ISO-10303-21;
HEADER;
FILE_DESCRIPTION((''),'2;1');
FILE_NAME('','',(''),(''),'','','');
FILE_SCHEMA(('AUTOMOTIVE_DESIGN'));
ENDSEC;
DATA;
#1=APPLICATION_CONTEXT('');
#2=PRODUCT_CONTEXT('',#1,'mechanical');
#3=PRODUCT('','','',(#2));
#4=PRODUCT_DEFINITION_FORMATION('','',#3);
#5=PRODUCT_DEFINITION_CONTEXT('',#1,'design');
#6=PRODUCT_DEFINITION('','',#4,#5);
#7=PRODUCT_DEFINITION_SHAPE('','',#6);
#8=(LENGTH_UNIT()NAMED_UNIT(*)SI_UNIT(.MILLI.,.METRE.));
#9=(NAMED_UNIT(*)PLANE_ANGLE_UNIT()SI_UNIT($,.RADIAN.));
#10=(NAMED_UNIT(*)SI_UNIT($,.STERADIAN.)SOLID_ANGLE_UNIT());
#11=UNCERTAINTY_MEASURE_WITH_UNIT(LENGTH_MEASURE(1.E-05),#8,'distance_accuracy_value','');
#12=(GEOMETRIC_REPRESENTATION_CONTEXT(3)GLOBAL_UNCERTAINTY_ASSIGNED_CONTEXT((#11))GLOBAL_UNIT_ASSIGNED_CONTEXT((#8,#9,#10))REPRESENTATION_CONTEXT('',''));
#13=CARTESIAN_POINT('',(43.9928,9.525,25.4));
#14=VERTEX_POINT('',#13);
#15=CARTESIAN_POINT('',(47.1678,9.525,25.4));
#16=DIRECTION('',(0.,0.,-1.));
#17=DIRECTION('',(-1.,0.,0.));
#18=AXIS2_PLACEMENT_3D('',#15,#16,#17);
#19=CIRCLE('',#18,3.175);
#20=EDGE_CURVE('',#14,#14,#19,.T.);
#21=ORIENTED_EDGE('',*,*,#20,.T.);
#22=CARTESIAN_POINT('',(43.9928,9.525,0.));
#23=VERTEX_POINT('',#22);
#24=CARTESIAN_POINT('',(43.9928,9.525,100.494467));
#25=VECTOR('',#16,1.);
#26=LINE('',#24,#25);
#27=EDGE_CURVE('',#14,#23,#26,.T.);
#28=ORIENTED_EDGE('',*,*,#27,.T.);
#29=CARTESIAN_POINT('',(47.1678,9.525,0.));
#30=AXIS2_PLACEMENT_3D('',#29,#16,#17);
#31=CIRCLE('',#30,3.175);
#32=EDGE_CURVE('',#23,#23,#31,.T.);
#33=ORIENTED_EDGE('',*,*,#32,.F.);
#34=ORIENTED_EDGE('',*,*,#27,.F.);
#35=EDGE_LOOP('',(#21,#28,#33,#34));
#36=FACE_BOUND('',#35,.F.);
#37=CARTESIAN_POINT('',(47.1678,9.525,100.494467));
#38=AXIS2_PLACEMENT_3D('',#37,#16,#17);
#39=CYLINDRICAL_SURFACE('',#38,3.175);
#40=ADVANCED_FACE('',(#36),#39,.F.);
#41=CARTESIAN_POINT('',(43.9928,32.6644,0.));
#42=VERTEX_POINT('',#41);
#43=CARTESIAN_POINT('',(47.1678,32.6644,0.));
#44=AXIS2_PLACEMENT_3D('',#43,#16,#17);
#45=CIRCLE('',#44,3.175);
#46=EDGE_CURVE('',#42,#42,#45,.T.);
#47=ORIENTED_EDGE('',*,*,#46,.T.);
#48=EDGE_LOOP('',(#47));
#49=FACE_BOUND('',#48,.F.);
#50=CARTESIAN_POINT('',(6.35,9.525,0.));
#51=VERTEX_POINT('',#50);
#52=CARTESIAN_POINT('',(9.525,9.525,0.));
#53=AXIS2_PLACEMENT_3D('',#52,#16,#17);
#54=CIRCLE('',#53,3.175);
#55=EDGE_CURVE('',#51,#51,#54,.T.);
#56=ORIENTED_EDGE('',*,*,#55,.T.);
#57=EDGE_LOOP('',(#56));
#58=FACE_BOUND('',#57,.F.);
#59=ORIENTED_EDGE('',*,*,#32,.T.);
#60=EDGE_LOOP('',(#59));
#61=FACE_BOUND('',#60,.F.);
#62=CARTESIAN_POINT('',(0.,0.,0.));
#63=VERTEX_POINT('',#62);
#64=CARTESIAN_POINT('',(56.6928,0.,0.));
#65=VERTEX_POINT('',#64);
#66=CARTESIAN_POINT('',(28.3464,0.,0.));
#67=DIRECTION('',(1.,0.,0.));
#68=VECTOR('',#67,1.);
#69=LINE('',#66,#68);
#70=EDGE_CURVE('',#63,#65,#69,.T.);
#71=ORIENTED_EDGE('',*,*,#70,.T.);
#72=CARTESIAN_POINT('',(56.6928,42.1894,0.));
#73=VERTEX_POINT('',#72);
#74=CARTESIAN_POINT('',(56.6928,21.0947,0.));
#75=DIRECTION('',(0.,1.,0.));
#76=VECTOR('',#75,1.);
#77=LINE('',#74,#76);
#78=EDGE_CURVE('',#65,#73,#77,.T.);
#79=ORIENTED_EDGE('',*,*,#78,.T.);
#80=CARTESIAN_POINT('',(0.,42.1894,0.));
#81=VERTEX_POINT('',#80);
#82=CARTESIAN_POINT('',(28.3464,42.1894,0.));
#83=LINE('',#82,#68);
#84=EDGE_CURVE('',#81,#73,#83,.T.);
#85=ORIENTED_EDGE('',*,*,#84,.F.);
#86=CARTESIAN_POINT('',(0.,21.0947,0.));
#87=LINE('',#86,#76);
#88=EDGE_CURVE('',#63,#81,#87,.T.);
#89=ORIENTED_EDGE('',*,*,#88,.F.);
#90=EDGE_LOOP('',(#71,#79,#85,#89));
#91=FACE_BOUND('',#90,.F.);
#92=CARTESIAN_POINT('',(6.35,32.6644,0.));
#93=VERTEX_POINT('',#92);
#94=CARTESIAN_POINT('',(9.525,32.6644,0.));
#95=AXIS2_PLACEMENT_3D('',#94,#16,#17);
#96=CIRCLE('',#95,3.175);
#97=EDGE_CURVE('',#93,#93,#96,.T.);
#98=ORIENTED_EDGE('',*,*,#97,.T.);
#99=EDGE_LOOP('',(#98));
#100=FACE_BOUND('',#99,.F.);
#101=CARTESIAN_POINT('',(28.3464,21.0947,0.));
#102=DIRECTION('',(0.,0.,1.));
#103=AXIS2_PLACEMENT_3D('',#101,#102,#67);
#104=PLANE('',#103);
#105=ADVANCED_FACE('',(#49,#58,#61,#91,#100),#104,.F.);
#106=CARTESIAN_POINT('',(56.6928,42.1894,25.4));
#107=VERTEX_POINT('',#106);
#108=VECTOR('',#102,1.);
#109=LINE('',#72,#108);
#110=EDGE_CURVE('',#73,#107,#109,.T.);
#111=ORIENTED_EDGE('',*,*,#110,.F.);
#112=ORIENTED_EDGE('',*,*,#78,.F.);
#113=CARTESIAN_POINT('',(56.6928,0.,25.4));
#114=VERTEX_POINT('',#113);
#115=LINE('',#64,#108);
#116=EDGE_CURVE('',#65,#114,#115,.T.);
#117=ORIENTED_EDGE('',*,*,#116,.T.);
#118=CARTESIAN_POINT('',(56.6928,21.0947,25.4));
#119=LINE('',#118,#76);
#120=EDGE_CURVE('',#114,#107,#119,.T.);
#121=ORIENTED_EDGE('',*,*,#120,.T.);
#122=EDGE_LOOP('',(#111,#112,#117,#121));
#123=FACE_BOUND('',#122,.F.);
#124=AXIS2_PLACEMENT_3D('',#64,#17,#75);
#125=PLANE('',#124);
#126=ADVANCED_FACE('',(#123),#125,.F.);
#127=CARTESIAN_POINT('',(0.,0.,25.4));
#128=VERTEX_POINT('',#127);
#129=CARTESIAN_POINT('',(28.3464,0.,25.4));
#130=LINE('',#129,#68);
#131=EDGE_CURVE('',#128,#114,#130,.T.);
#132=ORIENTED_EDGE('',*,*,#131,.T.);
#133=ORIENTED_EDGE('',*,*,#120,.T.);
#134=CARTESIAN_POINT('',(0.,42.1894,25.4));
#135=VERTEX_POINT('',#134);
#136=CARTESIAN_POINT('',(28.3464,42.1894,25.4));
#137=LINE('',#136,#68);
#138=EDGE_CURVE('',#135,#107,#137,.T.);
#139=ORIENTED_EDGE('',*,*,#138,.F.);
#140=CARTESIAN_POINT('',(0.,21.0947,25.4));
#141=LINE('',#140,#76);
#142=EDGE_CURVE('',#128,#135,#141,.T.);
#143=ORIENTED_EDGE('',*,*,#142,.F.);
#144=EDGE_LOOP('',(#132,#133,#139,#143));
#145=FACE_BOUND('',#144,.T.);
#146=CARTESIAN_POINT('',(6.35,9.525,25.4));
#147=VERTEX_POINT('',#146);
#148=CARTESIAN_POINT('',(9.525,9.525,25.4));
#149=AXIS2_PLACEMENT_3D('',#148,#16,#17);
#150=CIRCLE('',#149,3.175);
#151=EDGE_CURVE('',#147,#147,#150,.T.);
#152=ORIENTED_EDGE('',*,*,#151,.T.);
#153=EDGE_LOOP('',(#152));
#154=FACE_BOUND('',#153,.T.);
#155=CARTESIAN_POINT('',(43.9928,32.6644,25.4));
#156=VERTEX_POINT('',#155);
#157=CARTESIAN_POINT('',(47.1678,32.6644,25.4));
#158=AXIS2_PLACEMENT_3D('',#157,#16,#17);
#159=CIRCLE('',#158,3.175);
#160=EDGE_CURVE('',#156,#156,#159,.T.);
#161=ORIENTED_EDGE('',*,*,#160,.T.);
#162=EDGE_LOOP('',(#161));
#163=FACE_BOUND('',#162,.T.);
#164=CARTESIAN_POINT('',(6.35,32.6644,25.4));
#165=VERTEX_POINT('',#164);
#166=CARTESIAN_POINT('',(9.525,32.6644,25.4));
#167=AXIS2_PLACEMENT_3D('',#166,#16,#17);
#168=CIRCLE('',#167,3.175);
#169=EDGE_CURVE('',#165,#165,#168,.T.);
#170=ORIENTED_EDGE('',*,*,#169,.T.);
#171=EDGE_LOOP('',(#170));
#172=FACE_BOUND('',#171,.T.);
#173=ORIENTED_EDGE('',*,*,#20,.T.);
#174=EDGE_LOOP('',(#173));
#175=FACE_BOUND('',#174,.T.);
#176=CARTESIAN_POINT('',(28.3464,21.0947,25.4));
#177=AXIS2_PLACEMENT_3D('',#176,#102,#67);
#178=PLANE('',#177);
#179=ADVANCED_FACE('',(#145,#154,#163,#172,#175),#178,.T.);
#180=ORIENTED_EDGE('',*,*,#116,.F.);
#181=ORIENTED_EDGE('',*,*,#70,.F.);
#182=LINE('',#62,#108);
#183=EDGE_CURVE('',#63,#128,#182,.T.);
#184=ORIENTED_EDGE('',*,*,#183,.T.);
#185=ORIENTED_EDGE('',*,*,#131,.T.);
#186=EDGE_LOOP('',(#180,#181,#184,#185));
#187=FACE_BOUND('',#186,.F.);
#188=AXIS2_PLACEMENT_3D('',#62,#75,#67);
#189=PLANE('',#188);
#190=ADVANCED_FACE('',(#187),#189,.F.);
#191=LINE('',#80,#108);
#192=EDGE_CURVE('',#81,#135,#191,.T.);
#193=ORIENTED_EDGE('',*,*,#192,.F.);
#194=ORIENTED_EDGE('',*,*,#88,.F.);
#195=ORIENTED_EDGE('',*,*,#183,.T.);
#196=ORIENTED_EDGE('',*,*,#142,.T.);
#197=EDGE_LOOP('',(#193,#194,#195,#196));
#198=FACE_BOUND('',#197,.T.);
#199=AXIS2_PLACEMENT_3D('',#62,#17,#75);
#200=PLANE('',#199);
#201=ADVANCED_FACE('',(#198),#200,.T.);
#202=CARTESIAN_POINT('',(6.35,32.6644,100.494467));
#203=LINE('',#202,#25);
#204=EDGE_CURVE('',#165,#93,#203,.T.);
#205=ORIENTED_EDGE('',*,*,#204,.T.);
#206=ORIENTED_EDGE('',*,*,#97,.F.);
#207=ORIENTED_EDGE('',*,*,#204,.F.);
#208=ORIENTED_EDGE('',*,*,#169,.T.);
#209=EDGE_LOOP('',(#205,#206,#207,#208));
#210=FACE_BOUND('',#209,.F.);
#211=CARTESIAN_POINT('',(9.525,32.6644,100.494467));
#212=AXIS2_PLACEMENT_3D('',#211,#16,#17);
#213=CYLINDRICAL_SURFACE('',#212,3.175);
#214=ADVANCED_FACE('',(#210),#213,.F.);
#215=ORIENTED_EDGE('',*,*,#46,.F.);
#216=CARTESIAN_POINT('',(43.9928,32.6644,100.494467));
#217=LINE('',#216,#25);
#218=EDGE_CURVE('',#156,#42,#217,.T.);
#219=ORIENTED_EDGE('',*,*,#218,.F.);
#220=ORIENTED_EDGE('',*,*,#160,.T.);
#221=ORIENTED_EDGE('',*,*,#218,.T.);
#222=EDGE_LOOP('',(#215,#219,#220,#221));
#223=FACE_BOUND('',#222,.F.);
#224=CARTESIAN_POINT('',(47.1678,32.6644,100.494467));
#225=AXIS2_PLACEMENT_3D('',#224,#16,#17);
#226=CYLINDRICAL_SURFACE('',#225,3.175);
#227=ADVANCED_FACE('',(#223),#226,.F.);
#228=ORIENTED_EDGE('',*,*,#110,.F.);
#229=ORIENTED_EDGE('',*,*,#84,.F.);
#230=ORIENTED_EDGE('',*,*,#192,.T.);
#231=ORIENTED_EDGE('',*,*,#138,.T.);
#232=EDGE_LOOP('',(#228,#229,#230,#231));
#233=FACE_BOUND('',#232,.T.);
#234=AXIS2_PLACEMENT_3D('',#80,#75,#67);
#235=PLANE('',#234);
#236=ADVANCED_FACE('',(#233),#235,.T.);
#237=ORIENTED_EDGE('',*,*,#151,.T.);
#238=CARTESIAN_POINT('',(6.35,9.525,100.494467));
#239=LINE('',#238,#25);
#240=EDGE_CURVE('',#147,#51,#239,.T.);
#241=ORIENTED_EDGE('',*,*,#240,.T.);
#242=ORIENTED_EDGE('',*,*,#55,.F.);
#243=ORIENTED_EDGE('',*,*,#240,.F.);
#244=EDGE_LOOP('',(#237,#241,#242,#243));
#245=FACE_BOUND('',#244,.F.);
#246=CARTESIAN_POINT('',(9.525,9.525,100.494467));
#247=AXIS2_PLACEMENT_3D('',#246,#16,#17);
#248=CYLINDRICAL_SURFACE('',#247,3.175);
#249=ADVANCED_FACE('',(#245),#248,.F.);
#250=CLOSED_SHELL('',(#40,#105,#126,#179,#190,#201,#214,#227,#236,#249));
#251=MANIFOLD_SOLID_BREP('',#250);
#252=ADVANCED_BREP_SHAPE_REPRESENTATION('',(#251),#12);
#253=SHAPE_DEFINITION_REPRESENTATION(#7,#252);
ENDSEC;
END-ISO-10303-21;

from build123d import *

# Parameters (mm, degrees)
F0_W     = 56.6928
F0_H     = 42.1894
F1_DEPTH = 25.4
F3_D     = 6.35


with BuildPart() as f1:
    # F0 (on Top) → F1 (new body)
    with BuildSketch(Plane.XY):
        with Locations((28.3464, 21.0947)):
            Rectangle(F0_W, F0_H)
    extrude(amount=F1_DEPTH)

    # F3 (through all)
    with Locations(Plane.XY.offset(25.4)):
        with Locations((9.525, 9.525), (9.525, 32.6644), (47.1678, 32.6644), (47.1678, 9.525)):
            Hole(F3_D / 2)


solid = f1.part
